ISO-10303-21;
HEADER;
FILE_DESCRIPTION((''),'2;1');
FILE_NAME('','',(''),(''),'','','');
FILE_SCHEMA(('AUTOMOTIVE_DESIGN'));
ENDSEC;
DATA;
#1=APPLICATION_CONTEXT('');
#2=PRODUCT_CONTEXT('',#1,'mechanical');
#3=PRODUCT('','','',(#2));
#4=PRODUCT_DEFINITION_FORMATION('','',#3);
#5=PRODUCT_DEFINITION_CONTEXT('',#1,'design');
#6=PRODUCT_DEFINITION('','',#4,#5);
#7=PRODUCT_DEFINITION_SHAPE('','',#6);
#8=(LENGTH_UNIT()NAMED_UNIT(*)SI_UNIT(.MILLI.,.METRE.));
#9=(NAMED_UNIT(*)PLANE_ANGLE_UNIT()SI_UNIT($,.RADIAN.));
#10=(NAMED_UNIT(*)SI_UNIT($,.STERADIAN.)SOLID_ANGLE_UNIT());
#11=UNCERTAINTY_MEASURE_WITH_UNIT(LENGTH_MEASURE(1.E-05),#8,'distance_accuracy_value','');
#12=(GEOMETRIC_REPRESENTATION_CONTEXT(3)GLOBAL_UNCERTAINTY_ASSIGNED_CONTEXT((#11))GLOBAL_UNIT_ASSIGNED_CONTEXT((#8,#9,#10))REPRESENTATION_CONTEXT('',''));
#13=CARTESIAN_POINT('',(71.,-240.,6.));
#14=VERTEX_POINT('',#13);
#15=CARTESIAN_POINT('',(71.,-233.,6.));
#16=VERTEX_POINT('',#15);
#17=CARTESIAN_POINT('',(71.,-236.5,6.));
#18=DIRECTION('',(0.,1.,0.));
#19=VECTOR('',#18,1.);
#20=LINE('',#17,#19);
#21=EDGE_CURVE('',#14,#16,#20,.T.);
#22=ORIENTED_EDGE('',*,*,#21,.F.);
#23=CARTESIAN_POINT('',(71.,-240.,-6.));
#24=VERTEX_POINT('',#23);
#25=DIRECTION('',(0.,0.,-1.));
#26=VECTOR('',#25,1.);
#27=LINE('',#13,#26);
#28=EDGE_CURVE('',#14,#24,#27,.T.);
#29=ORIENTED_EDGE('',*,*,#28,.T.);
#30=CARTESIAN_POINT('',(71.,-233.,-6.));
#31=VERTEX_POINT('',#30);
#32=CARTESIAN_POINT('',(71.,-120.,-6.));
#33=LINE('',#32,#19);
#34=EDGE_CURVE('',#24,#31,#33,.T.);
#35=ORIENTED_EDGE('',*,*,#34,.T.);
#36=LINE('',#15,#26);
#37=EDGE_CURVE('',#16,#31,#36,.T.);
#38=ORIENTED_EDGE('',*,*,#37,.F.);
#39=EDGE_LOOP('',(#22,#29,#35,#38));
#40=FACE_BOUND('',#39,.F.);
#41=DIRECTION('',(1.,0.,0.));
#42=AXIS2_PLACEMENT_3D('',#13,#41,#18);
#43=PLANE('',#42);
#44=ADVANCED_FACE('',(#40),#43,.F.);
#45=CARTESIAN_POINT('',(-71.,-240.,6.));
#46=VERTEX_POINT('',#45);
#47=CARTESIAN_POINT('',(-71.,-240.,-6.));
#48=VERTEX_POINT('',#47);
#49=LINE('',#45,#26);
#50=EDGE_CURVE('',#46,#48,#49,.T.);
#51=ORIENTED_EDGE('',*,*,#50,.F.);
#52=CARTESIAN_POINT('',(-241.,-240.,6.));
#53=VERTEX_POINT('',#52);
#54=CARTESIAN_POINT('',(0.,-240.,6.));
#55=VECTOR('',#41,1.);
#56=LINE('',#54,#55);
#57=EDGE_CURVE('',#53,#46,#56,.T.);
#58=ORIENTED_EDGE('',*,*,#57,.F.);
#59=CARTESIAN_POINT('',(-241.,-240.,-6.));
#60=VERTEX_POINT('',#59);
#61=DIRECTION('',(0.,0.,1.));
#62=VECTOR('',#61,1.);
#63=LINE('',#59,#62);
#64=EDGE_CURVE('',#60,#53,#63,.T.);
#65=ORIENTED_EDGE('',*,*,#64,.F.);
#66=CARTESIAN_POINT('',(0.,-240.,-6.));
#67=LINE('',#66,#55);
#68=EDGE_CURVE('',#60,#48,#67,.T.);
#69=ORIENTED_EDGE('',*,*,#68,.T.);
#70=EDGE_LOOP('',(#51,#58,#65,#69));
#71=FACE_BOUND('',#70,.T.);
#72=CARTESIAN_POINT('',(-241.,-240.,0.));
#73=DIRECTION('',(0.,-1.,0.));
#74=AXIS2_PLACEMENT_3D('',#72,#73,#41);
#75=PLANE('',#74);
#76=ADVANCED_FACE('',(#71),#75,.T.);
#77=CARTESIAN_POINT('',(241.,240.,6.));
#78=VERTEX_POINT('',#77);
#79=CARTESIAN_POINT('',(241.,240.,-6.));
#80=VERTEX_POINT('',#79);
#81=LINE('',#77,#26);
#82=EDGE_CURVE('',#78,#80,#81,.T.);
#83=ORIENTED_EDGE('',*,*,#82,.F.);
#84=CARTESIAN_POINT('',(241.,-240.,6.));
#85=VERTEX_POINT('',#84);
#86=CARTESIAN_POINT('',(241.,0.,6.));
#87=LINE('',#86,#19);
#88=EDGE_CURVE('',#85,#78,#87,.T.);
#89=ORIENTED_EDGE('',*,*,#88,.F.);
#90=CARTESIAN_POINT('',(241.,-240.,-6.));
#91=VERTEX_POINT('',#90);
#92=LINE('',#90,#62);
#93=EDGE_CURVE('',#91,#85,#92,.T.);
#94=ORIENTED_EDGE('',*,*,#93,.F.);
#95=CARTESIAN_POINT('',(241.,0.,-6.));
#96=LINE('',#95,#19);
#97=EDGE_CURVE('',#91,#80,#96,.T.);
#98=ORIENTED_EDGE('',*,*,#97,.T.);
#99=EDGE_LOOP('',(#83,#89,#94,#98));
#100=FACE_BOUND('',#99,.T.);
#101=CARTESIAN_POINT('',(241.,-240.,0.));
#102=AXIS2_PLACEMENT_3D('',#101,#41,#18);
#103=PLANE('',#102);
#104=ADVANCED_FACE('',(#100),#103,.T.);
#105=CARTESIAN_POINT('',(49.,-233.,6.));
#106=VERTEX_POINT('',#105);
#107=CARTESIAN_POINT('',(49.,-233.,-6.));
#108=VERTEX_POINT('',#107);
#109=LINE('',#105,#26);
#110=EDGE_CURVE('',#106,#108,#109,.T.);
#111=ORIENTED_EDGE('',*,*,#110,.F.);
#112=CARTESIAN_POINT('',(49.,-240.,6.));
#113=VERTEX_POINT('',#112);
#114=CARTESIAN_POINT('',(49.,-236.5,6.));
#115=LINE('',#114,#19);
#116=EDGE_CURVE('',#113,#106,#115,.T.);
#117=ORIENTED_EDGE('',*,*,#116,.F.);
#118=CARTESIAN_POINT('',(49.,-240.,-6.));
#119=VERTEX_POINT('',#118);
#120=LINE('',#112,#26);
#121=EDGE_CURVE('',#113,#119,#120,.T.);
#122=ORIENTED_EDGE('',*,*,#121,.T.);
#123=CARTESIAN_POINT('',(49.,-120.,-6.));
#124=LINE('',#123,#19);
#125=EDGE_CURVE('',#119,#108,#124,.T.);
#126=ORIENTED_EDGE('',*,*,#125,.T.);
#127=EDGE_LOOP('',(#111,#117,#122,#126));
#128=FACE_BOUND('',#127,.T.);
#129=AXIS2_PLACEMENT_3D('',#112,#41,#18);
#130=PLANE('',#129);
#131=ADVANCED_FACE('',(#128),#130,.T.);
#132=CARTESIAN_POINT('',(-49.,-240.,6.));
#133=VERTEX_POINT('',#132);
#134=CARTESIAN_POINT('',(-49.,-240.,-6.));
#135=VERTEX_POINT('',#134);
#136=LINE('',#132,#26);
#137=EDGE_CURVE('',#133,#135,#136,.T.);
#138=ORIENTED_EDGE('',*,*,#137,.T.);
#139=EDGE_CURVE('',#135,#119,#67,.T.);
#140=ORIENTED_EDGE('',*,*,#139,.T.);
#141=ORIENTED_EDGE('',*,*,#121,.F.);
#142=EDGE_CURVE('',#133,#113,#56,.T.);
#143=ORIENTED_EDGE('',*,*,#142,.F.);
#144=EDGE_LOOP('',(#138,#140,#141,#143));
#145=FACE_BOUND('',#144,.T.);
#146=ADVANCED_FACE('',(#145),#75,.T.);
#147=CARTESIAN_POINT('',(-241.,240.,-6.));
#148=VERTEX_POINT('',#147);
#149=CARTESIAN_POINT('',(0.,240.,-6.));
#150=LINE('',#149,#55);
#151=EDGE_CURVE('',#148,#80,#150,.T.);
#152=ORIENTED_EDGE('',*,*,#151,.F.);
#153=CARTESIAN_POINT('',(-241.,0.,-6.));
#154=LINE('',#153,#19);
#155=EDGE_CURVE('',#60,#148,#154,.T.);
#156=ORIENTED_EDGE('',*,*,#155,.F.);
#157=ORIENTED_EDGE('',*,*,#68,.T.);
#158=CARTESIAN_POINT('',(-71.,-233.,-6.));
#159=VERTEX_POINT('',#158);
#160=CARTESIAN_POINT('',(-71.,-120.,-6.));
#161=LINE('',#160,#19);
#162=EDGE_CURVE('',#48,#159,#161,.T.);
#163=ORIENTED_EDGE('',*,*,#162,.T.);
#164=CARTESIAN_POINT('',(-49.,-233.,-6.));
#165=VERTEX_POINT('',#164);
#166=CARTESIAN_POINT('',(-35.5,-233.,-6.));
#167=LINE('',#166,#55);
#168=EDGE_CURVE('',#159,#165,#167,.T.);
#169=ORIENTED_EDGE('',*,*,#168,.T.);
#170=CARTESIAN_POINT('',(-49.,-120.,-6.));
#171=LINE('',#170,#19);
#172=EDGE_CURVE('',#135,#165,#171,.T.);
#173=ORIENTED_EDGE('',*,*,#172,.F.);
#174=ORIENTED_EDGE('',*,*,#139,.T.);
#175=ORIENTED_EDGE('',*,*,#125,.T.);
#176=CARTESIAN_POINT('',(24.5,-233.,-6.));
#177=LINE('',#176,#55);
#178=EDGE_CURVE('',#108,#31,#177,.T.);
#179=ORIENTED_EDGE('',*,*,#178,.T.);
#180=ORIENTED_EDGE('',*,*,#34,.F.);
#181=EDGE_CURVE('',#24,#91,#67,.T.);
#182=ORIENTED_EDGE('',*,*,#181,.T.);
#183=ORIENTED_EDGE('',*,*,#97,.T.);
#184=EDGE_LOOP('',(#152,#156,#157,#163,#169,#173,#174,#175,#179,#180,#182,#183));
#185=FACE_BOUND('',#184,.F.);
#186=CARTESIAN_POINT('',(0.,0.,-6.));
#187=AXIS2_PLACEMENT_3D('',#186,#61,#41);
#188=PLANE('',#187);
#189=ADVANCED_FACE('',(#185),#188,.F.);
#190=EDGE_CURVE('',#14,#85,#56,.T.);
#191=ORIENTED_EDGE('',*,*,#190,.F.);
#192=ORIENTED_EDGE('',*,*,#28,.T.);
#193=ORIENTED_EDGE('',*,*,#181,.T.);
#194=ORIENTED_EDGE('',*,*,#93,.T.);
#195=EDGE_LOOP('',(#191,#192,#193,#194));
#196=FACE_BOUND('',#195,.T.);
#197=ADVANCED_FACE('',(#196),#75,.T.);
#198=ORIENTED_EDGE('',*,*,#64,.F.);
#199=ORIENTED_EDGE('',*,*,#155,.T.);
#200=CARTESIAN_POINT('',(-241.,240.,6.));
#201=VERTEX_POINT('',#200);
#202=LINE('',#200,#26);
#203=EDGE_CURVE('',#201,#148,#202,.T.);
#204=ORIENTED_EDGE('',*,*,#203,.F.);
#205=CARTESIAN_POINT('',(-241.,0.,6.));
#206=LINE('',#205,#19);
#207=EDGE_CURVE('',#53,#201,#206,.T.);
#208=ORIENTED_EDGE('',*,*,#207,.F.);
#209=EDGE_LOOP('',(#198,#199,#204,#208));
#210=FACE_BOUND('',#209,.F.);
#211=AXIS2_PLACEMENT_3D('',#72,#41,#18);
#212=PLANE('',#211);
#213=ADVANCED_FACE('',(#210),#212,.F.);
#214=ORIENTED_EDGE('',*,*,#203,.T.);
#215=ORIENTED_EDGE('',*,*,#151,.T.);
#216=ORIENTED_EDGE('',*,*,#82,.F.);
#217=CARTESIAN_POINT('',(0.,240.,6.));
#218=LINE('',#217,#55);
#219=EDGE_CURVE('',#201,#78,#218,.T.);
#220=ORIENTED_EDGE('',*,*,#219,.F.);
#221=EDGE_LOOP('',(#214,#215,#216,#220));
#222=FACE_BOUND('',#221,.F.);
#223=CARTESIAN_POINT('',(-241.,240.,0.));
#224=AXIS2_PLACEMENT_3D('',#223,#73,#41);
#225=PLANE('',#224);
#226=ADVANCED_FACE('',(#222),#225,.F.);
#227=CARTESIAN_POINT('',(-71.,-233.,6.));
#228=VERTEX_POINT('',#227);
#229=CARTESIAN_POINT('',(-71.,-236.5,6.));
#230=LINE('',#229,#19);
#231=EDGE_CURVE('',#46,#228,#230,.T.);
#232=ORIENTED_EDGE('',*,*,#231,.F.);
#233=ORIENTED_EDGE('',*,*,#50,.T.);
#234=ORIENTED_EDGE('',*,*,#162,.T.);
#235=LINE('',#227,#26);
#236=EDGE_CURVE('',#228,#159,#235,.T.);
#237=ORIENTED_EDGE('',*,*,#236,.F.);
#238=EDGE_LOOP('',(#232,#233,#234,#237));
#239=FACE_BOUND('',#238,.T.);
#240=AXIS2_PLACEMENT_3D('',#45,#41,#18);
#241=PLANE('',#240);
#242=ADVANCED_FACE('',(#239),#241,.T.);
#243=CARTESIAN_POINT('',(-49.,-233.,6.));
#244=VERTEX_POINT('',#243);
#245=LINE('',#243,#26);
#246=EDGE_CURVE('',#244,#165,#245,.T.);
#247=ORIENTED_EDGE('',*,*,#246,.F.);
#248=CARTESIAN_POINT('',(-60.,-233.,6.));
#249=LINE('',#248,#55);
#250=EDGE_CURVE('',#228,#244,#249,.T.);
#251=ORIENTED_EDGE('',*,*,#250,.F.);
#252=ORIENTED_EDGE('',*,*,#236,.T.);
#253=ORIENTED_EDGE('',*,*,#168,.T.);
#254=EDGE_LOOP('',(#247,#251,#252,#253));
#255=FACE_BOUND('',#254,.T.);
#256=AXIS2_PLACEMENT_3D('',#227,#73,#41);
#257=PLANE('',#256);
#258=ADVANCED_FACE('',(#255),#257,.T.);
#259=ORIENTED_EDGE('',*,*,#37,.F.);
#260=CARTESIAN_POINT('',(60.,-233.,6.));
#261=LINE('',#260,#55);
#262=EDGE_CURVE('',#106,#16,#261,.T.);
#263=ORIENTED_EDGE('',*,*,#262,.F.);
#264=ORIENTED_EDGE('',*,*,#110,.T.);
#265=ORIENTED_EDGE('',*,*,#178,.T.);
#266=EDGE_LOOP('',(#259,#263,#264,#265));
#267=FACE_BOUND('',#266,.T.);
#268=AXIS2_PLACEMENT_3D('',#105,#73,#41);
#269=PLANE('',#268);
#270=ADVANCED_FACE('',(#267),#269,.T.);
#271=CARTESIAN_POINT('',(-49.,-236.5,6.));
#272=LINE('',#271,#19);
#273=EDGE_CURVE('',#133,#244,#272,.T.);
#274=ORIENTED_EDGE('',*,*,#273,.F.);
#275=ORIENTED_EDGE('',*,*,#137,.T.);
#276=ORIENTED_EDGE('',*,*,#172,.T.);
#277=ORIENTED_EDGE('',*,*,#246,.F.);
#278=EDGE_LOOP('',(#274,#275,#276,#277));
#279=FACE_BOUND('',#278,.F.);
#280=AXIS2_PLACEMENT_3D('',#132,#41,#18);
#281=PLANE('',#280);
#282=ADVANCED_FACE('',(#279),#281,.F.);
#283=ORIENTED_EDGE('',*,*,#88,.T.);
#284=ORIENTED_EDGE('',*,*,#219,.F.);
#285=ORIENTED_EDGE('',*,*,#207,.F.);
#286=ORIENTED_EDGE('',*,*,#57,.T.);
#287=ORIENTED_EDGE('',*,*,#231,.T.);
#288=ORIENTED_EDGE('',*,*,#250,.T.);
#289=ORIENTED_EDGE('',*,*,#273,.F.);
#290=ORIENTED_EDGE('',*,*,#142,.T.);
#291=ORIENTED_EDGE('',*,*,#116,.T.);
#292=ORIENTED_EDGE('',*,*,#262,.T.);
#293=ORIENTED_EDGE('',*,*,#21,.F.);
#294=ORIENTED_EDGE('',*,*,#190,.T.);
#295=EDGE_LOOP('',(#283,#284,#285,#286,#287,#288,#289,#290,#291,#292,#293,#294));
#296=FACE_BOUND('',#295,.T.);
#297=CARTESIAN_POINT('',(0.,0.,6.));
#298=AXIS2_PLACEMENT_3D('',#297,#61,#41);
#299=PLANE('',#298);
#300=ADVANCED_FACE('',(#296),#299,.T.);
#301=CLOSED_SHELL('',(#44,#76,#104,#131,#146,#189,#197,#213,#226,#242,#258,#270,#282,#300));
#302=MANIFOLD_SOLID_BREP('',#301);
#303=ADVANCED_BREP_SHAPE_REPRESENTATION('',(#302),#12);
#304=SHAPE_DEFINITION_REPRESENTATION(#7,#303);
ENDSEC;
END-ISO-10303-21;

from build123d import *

# Parameters (mm, degrees)
F0_W     = 482
F0_H     = 480
F1_DEPTH = 6
F2_W     = 22
F2_H     = 7
F3_DEPTH = 12.001


with BuildPart() as f1:
    # F0 (on Top) → F1 (new body, symmetric)
    with BuildSketch(Plane.XY):
        Rectangle(F0_W, F0_H)
    extrude(amount=F1_DEPTH, both=True)

    # F2 (on face) → F3 (cut, through all)
    with BuildSketch(Plane.XY.offset(6)):
        with Locations((-60, -236.5)):
            Rectangle(F2_W, F2_H)
        with Locations((60, -236.5)):
            Rectangle(F2_W, F2_H)
    extrude(amount=-F3_DEPTH, mode=Mode.SUBTRACT)


solid = f1.part
